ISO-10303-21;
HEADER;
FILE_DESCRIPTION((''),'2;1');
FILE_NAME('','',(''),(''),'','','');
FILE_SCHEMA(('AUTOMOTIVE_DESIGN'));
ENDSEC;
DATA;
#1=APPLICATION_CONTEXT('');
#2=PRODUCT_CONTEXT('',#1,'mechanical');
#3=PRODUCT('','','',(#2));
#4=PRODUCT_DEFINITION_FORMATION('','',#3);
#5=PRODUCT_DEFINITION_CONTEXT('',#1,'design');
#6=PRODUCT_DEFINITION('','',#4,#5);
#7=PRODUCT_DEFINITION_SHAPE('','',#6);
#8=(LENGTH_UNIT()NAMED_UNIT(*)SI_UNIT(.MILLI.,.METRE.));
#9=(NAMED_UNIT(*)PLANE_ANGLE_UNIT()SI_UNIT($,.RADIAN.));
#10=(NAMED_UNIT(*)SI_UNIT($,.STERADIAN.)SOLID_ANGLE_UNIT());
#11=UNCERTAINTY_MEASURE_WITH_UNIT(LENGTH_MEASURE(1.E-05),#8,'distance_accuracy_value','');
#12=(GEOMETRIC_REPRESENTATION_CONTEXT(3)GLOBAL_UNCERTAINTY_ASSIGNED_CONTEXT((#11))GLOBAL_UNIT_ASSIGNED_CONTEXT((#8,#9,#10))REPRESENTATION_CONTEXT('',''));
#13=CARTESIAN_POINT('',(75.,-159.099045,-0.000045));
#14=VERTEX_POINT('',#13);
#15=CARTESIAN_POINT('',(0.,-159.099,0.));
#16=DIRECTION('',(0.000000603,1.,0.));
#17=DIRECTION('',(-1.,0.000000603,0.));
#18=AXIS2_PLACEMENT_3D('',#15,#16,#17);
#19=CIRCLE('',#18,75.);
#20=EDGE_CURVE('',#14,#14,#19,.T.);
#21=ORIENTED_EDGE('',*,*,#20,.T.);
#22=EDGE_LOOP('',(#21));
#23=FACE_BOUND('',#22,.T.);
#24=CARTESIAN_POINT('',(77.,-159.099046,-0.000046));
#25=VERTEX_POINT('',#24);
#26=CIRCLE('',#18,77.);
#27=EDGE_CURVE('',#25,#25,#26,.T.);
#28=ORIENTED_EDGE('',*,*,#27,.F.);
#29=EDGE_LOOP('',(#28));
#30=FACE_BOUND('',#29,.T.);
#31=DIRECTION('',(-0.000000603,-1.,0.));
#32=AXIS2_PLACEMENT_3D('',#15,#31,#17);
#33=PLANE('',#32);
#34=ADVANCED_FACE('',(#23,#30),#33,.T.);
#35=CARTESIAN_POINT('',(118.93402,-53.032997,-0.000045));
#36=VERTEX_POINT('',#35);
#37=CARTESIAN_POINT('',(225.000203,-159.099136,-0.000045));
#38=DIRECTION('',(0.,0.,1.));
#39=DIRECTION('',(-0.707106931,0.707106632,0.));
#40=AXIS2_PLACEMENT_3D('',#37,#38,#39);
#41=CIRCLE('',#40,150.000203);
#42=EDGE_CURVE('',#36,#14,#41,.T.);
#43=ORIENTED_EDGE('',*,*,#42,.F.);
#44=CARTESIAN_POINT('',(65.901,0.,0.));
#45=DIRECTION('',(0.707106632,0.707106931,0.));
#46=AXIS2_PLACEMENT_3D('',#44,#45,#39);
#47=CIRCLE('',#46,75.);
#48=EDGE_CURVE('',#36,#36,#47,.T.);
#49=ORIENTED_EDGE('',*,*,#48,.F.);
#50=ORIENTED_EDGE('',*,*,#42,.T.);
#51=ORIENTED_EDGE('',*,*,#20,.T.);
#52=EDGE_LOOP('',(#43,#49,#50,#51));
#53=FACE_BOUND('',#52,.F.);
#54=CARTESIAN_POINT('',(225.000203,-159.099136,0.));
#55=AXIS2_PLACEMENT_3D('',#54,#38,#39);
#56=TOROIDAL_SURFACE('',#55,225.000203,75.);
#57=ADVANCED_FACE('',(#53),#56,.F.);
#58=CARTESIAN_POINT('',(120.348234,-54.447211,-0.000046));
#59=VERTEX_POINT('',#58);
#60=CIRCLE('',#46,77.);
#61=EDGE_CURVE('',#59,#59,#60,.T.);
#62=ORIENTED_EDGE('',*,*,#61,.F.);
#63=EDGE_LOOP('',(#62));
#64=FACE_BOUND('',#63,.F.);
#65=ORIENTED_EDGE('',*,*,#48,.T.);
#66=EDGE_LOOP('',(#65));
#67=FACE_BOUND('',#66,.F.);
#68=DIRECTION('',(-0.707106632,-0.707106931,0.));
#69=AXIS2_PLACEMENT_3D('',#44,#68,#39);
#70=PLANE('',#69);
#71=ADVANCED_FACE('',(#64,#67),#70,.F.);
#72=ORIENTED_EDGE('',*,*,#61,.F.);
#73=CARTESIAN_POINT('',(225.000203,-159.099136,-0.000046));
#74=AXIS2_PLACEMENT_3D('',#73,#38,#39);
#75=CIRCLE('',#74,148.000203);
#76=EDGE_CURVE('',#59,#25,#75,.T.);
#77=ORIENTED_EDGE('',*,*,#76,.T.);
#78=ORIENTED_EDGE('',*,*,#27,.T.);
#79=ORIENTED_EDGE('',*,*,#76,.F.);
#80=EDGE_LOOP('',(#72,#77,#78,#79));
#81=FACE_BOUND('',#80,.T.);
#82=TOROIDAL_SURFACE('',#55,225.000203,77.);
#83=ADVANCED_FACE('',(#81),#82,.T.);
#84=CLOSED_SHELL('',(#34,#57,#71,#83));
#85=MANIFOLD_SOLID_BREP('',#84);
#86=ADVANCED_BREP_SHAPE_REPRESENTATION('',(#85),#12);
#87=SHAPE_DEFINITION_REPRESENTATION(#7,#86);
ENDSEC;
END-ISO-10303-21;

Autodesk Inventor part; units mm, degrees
ref_plane "YZ Plane" through (0, 0, 0) normal (1, 0, 0) x (0, 1, 0)
ref_plane "XZ Plane" through (0, 0, 0) normal (0, 1, 0) x (-1, 0, 0)
sketch "Szkic6" plane through (0, 0, 0) normal (0, 0, 1) x (1, 0, 0)
  line L0 (-29.6067, 0) -> (35.2678, 0) construction
  line L1 (0, 42.3419) -> (0, -58.3726) construction
  arc A0 (65.901, 0) -> (0, -159.099) centre (225, -159.099) ccw
  line L2 (0, -159.099) -> (225, -159.099) construction
  line L3 (225, -159.099) -> (178.6611, -112.7601) construction
  line L4 (65.901, 0) -> (65.901, 0)
  line L5 (0, -159.099) -> (0, -159.099)
  point P0 (0, 0)
  dimension "d24" = 225
  dimension "d31" = 45
  dimension "d36" = 0
  dimension "d37" = 0
ref_plane "Płaszczyzna konstrukcyjna2" through (0, -159.099, 0) normal (0, -1, 0) x (1, 0, 0)
sketch "Szkic8" plane through (0, -159.099, 0) normal (0, -1, 0) x (1, 0, 0)
  circle A0 centre (0, 0) radius 77
  circle A1 centre (0, 0) radius 75
  dimension "d32" = 154
  dimension "d33" = 2
sweep "Przeciągnięcie2" add profiles "Szkic8" path "Szkic6"
equation "\"d32\" = OD"
equation "\"d33\" = THK"
equation "\"d24\" = R"
equation "\"d31\" = KAT"
equation "\"SzerokośćGięciaPodcięcia\" = Grubość"
equation "\"RozmiarPodcięciaNarożnika\" = 4 * Grubość"
equation "\"PromieńPrzejścia\" = PromieńGięcia"
equation "\"Rozmiar_promienia_Jacobiego\" = PromieńGięcia"
equation "\"Wielk_odstępu\" = Grubość"
equation "\"d2\" = PromieńGięcia"
equation "\"d23\" = PromieńGięcia"
equation "\"R\" = 225"
equation "\"OD\" = 154"
equation "\"THK\" = 2"
equation "\"KAT\" = 45deg"
equation "\"PROSTKA\" = 0"
equation "\"Grubość\" = 1.5"
equation "\"PromieńGięcia\" = 3"
properties part number "Kolano 45° ø154x2 R225" material "304L"
